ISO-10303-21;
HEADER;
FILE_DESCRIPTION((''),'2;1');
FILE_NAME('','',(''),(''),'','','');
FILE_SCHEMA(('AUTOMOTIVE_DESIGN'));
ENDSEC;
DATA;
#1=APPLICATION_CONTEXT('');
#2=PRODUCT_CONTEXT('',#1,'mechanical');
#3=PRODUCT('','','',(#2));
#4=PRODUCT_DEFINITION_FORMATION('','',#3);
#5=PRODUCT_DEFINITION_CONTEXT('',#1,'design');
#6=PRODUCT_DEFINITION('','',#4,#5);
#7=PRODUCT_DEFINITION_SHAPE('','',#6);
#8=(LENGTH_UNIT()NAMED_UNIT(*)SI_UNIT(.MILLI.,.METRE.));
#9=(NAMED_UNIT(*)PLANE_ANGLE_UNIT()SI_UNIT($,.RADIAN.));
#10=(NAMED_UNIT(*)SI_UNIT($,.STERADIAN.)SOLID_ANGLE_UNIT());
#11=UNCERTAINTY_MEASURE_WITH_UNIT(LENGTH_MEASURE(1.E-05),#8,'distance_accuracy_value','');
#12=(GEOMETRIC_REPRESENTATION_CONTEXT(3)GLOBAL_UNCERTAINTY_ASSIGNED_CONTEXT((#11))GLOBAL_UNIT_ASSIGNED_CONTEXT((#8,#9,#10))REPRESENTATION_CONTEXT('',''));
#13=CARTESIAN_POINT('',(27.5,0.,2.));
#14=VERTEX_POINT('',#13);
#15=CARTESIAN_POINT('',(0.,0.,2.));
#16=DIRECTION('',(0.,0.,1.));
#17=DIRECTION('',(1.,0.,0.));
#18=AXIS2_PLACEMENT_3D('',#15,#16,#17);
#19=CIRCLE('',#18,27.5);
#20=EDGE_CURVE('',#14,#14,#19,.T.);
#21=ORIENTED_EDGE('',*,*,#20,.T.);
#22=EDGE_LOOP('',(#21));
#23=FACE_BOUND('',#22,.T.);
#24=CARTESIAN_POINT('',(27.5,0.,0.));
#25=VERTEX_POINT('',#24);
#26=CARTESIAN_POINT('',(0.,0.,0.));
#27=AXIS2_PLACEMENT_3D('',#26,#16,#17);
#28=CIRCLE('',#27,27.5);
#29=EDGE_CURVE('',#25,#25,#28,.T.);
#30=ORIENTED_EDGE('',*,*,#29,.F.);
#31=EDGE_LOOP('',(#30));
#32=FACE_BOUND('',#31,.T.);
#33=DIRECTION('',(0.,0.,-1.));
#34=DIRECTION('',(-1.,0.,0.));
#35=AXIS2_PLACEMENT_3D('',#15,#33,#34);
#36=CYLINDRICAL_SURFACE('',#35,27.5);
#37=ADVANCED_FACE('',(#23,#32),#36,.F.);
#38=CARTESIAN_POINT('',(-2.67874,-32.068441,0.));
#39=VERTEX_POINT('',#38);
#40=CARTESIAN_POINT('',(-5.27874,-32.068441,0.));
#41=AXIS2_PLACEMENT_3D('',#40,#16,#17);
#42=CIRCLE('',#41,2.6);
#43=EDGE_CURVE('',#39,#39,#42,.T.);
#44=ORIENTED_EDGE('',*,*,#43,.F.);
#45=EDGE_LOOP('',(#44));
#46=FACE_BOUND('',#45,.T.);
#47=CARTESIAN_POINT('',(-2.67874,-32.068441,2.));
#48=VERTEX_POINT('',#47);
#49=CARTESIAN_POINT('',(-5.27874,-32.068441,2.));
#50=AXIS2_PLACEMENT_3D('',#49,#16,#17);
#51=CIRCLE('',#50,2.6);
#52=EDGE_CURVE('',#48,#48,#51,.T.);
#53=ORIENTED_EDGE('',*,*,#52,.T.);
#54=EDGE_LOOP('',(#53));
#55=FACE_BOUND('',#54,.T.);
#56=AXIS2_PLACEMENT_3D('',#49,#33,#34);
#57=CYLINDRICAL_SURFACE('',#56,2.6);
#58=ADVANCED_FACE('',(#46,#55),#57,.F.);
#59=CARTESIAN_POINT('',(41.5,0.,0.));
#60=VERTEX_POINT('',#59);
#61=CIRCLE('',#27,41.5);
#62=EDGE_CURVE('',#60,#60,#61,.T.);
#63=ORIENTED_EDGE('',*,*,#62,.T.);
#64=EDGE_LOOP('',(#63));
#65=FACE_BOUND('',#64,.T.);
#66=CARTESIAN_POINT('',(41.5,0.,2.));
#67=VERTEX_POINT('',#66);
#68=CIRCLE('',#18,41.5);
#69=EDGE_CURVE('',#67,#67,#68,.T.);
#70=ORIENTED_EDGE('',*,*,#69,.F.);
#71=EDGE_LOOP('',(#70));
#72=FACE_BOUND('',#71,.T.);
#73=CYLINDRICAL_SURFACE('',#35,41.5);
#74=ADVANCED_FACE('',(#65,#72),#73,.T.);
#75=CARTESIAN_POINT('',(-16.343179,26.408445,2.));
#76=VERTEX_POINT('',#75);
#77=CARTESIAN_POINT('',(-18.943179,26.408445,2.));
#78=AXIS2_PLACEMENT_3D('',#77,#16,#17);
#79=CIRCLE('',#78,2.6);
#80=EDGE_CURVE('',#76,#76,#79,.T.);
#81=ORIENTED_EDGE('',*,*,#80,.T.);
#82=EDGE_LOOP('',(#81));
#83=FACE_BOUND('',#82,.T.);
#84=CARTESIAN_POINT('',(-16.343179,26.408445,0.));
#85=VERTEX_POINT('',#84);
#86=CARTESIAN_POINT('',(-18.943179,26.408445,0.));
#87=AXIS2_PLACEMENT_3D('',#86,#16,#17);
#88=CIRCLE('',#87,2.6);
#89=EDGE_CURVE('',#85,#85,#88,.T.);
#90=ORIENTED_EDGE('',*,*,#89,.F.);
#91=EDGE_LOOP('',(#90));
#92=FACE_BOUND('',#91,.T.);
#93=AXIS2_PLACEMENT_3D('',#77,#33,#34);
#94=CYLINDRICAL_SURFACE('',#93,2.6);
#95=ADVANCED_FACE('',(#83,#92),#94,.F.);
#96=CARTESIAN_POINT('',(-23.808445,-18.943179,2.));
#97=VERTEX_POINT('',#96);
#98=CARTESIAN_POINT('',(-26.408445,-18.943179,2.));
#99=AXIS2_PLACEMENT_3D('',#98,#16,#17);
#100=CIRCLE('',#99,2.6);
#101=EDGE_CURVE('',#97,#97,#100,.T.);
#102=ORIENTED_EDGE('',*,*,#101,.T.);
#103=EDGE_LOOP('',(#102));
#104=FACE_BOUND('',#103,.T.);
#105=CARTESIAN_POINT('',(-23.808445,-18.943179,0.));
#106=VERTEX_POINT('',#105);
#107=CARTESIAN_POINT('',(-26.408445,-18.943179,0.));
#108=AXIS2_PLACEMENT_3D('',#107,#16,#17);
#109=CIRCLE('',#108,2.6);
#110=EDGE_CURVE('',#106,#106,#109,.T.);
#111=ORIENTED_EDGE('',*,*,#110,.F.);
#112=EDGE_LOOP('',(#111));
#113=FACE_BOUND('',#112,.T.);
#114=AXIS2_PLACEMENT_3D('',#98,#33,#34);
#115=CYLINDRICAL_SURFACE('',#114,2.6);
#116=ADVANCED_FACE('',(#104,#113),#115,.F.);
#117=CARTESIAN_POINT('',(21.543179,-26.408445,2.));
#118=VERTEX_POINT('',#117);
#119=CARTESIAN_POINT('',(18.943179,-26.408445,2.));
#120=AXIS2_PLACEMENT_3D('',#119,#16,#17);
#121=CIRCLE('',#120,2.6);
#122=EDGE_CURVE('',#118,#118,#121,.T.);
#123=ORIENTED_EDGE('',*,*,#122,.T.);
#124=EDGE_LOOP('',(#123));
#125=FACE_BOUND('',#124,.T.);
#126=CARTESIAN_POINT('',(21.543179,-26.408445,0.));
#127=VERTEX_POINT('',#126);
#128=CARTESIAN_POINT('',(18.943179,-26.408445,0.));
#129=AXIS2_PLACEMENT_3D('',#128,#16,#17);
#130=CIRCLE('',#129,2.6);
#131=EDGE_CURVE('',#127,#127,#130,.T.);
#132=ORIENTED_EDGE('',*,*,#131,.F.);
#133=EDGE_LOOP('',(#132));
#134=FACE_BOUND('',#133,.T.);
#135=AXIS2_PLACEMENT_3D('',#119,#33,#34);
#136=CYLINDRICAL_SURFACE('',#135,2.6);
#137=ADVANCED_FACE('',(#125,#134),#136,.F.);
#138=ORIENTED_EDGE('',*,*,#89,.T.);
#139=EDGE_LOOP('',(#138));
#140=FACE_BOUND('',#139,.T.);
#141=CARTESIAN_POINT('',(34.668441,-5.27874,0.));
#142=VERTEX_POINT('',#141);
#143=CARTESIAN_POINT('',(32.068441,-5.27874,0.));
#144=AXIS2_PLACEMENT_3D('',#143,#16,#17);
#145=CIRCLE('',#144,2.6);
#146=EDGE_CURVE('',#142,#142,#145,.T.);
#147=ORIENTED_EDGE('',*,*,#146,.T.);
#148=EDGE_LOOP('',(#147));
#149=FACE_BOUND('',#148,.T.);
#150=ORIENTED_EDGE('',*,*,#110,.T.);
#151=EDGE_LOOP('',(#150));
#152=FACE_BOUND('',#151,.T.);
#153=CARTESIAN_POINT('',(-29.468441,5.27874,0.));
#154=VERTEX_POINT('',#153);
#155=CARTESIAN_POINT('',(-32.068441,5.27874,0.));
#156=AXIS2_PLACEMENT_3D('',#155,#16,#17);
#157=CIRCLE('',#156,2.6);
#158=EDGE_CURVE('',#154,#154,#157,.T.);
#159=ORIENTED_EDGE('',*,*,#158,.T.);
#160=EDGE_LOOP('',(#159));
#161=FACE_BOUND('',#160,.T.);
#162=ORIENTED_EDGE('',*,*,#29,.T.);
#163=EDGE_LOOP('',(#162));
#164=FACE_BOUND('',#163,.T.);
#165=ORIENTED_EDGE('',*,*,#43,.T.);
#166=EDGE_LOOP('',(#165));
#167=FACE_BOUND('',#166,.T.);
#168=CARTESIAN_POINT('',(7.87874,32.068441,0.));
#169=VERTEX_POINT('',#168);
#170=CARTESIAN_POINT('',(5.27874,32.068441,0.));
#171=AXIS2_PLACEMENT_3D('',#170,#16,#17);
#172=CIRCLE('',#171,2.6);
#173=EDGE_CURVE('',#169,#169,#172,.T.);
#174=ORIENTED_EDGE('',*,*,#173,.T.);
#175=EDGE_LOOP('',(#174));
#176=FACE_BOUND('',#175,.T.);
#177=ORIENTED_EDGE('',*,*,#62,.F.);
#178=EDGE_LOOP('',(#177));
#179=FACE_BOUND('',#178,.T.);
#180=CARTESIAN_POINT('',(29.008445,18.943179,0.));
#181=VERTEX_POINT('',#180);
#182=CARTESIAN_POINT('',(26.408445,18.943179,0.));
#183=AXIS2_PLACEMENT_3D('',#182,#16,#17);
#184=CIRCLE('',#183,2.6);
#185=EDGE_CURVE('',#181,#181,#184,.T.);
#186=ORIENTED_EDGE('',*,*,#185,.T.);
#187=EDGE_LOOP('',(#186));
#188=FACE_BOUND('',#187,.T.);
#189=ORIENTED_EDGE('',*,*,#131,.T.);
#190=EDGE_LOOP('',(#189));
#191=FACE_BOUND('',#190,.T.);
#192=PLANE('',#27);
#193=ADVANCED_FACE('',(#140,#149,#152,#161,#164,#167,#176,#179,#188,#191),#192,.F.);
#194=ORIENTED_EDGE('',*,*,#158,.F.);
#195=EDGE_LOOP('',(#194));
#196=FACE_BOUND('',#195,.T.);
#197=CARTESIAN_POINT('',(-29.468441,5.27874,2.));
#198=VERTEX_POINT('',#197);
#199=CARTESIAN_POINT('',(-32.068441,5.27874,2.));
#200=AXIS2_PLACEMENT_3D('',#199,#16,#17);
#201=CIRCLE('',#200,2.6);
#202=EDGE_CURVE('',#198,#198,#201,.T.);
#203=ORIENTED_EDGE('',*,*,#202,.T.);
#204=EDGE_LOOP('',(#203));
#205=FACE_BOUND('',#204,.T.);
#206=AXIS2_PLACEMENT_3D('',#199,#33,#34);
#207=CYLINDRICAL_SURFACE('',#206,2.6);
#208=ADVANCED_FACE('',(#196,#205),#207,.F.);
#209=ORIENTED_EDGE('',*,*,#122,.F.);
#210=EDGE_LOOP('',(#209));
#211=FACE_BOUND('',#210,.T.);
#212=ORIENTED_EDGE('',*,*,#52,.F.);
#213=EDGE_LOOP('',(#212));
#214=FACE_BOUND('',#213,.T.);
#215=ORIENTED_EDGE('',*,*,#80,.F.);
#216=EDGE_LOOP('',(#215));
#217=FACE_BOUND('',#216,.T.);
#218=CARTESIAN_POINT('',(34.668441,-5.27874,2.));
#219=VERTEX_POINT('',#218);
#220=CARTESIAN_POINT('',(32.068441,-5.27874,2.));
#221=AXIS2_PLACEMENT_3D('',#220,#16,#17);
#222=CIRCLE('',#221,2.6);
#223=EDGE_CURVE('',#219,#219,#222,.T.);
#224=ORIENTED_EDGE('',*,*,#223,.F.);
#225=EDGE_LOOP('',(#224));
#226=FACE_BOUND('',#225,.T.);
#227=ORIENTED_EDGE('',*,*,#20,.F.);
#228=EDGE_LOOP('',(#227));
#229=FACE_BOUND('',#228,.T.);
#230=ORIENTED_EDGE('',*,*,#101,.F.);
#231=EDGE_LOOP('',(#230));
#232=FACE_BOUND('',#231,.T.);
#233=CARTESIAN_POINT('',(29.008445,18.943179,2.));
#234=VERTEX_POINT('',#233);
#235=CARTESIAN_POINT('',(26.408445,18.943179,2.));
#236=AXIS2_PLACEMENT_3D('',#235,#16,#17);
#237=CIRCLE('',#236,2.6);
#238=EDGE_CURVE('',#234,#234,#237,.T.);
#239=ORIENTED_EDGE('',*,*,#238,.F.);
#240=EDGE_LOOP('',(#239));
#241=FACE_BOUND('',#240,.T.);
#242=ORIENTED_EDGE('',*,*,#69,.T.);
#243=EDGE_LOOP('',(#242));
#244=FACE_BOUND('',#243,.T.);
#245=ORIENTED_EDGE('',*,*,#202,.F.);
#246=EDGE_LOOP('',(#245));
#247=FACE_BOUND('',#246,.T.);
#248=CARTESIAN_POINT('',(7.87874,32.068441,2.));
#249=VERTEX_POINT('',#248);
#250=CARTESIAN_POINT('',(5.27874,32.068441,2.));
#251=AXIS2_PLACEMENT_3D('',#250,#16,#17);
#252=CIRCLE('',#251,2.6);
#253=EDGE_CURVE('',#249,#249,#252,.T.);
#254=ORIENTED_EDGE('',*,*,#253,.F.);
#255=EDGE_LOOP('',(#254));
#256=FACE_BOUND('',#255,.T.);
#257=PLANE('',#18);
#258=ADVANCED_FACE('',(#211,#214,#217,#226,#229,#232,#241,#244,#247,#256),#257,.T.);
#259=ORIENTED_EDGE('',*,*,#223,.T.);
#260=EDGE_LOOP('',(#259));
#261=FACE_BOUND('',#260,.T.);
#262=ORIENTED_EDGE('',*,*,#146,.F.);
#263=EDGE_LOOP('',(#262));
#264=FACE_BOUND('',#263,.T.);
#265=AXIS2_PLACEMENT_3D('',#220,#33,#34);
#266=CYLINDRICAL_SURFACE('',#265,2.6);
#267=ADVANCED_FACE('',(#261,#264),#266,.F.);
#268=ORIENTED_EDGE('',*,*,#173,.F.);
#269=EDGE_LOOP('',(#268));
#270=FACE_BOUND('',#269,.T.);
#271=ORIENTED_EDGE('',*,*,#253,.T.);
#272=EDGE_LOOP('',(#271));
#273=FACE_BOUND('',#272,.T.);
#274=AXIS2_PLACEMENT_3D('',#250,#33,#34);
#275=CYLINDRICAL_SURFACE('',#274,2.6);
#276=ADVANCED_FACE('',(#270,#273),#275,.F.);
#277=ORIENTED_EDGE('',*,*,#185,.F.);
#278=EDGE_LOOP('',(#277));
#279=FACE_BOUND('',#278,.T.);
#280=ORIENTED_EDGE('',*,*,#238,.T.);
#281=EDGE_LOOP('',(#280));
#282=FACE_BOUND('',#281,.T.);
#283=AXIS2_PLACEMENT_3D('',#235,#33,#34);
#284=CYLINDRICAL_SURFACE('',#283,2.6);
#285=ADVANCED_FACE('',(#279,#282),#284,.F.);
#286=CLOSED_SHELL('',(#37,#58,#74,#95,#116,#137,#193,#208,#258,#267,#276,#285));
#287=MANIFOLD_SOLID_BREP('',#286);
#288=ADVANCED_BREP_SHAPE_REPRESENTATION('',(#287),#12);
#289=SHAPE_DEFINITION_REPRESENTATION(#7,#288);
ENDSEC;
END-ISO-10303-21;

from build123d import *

# Parameters (mm, degrees)
SKETCH1_R           = 41.5
SKETCH1_R_2         = 27.5
SKETCH1_R_3         = 2.6
BOSS_EXTRUDE1_DEPTH = 2


with BuildPart() as part:
    # Sketch1 → Boss-Extrude1 (new body)
    with BuildSketch(Plane.XY):
        Circle(SKETCH1_R)
        Circle(SKETCH1_R_2, mode=Mode.SUBTRACT)
        with Locations((5.27873993, 32.068440947)):
            Circle(SKETCH1_R_3, mode=Mode.SUBTRACT)
        with Locations((26.408444856, 18.943179255)):
            Circle(SKETCH1_R_3, mode=Mode.SUBTRACT)
        with Locations((32.068440947, -5.27873993)):
            Circle(SKETCH1_R_3, mode=Mode.SUBTRACT)
        with Locations((18.943179255, -26.408444856)):
            Circle(SKETCH1_R_3, mode=Mode.SUBTRACT)
        with Locations((-5.27873993, -32.068440947)):
            Circle(SKETCH1_R_3, mode=Mode.SUBTRACT)
        with Locations((-26.408444856, -18.943179255)):
            Circle(SKETCH1_R_3, mode=Mode.SUBTRACT)
        with Locations((-32.068440947, 5.27873993)):
            Circle(SKETCH1_R_3, mode=Mode.SUBTRACT)
        with Locations((-18.943179255, 26.408444856)):
            Circle(SKETCH1_R_3, mode=Mode.SUBTRACT)
    extrude(amount=BOSS_EXTRUDE1_DEPTH)


solid = part.part
